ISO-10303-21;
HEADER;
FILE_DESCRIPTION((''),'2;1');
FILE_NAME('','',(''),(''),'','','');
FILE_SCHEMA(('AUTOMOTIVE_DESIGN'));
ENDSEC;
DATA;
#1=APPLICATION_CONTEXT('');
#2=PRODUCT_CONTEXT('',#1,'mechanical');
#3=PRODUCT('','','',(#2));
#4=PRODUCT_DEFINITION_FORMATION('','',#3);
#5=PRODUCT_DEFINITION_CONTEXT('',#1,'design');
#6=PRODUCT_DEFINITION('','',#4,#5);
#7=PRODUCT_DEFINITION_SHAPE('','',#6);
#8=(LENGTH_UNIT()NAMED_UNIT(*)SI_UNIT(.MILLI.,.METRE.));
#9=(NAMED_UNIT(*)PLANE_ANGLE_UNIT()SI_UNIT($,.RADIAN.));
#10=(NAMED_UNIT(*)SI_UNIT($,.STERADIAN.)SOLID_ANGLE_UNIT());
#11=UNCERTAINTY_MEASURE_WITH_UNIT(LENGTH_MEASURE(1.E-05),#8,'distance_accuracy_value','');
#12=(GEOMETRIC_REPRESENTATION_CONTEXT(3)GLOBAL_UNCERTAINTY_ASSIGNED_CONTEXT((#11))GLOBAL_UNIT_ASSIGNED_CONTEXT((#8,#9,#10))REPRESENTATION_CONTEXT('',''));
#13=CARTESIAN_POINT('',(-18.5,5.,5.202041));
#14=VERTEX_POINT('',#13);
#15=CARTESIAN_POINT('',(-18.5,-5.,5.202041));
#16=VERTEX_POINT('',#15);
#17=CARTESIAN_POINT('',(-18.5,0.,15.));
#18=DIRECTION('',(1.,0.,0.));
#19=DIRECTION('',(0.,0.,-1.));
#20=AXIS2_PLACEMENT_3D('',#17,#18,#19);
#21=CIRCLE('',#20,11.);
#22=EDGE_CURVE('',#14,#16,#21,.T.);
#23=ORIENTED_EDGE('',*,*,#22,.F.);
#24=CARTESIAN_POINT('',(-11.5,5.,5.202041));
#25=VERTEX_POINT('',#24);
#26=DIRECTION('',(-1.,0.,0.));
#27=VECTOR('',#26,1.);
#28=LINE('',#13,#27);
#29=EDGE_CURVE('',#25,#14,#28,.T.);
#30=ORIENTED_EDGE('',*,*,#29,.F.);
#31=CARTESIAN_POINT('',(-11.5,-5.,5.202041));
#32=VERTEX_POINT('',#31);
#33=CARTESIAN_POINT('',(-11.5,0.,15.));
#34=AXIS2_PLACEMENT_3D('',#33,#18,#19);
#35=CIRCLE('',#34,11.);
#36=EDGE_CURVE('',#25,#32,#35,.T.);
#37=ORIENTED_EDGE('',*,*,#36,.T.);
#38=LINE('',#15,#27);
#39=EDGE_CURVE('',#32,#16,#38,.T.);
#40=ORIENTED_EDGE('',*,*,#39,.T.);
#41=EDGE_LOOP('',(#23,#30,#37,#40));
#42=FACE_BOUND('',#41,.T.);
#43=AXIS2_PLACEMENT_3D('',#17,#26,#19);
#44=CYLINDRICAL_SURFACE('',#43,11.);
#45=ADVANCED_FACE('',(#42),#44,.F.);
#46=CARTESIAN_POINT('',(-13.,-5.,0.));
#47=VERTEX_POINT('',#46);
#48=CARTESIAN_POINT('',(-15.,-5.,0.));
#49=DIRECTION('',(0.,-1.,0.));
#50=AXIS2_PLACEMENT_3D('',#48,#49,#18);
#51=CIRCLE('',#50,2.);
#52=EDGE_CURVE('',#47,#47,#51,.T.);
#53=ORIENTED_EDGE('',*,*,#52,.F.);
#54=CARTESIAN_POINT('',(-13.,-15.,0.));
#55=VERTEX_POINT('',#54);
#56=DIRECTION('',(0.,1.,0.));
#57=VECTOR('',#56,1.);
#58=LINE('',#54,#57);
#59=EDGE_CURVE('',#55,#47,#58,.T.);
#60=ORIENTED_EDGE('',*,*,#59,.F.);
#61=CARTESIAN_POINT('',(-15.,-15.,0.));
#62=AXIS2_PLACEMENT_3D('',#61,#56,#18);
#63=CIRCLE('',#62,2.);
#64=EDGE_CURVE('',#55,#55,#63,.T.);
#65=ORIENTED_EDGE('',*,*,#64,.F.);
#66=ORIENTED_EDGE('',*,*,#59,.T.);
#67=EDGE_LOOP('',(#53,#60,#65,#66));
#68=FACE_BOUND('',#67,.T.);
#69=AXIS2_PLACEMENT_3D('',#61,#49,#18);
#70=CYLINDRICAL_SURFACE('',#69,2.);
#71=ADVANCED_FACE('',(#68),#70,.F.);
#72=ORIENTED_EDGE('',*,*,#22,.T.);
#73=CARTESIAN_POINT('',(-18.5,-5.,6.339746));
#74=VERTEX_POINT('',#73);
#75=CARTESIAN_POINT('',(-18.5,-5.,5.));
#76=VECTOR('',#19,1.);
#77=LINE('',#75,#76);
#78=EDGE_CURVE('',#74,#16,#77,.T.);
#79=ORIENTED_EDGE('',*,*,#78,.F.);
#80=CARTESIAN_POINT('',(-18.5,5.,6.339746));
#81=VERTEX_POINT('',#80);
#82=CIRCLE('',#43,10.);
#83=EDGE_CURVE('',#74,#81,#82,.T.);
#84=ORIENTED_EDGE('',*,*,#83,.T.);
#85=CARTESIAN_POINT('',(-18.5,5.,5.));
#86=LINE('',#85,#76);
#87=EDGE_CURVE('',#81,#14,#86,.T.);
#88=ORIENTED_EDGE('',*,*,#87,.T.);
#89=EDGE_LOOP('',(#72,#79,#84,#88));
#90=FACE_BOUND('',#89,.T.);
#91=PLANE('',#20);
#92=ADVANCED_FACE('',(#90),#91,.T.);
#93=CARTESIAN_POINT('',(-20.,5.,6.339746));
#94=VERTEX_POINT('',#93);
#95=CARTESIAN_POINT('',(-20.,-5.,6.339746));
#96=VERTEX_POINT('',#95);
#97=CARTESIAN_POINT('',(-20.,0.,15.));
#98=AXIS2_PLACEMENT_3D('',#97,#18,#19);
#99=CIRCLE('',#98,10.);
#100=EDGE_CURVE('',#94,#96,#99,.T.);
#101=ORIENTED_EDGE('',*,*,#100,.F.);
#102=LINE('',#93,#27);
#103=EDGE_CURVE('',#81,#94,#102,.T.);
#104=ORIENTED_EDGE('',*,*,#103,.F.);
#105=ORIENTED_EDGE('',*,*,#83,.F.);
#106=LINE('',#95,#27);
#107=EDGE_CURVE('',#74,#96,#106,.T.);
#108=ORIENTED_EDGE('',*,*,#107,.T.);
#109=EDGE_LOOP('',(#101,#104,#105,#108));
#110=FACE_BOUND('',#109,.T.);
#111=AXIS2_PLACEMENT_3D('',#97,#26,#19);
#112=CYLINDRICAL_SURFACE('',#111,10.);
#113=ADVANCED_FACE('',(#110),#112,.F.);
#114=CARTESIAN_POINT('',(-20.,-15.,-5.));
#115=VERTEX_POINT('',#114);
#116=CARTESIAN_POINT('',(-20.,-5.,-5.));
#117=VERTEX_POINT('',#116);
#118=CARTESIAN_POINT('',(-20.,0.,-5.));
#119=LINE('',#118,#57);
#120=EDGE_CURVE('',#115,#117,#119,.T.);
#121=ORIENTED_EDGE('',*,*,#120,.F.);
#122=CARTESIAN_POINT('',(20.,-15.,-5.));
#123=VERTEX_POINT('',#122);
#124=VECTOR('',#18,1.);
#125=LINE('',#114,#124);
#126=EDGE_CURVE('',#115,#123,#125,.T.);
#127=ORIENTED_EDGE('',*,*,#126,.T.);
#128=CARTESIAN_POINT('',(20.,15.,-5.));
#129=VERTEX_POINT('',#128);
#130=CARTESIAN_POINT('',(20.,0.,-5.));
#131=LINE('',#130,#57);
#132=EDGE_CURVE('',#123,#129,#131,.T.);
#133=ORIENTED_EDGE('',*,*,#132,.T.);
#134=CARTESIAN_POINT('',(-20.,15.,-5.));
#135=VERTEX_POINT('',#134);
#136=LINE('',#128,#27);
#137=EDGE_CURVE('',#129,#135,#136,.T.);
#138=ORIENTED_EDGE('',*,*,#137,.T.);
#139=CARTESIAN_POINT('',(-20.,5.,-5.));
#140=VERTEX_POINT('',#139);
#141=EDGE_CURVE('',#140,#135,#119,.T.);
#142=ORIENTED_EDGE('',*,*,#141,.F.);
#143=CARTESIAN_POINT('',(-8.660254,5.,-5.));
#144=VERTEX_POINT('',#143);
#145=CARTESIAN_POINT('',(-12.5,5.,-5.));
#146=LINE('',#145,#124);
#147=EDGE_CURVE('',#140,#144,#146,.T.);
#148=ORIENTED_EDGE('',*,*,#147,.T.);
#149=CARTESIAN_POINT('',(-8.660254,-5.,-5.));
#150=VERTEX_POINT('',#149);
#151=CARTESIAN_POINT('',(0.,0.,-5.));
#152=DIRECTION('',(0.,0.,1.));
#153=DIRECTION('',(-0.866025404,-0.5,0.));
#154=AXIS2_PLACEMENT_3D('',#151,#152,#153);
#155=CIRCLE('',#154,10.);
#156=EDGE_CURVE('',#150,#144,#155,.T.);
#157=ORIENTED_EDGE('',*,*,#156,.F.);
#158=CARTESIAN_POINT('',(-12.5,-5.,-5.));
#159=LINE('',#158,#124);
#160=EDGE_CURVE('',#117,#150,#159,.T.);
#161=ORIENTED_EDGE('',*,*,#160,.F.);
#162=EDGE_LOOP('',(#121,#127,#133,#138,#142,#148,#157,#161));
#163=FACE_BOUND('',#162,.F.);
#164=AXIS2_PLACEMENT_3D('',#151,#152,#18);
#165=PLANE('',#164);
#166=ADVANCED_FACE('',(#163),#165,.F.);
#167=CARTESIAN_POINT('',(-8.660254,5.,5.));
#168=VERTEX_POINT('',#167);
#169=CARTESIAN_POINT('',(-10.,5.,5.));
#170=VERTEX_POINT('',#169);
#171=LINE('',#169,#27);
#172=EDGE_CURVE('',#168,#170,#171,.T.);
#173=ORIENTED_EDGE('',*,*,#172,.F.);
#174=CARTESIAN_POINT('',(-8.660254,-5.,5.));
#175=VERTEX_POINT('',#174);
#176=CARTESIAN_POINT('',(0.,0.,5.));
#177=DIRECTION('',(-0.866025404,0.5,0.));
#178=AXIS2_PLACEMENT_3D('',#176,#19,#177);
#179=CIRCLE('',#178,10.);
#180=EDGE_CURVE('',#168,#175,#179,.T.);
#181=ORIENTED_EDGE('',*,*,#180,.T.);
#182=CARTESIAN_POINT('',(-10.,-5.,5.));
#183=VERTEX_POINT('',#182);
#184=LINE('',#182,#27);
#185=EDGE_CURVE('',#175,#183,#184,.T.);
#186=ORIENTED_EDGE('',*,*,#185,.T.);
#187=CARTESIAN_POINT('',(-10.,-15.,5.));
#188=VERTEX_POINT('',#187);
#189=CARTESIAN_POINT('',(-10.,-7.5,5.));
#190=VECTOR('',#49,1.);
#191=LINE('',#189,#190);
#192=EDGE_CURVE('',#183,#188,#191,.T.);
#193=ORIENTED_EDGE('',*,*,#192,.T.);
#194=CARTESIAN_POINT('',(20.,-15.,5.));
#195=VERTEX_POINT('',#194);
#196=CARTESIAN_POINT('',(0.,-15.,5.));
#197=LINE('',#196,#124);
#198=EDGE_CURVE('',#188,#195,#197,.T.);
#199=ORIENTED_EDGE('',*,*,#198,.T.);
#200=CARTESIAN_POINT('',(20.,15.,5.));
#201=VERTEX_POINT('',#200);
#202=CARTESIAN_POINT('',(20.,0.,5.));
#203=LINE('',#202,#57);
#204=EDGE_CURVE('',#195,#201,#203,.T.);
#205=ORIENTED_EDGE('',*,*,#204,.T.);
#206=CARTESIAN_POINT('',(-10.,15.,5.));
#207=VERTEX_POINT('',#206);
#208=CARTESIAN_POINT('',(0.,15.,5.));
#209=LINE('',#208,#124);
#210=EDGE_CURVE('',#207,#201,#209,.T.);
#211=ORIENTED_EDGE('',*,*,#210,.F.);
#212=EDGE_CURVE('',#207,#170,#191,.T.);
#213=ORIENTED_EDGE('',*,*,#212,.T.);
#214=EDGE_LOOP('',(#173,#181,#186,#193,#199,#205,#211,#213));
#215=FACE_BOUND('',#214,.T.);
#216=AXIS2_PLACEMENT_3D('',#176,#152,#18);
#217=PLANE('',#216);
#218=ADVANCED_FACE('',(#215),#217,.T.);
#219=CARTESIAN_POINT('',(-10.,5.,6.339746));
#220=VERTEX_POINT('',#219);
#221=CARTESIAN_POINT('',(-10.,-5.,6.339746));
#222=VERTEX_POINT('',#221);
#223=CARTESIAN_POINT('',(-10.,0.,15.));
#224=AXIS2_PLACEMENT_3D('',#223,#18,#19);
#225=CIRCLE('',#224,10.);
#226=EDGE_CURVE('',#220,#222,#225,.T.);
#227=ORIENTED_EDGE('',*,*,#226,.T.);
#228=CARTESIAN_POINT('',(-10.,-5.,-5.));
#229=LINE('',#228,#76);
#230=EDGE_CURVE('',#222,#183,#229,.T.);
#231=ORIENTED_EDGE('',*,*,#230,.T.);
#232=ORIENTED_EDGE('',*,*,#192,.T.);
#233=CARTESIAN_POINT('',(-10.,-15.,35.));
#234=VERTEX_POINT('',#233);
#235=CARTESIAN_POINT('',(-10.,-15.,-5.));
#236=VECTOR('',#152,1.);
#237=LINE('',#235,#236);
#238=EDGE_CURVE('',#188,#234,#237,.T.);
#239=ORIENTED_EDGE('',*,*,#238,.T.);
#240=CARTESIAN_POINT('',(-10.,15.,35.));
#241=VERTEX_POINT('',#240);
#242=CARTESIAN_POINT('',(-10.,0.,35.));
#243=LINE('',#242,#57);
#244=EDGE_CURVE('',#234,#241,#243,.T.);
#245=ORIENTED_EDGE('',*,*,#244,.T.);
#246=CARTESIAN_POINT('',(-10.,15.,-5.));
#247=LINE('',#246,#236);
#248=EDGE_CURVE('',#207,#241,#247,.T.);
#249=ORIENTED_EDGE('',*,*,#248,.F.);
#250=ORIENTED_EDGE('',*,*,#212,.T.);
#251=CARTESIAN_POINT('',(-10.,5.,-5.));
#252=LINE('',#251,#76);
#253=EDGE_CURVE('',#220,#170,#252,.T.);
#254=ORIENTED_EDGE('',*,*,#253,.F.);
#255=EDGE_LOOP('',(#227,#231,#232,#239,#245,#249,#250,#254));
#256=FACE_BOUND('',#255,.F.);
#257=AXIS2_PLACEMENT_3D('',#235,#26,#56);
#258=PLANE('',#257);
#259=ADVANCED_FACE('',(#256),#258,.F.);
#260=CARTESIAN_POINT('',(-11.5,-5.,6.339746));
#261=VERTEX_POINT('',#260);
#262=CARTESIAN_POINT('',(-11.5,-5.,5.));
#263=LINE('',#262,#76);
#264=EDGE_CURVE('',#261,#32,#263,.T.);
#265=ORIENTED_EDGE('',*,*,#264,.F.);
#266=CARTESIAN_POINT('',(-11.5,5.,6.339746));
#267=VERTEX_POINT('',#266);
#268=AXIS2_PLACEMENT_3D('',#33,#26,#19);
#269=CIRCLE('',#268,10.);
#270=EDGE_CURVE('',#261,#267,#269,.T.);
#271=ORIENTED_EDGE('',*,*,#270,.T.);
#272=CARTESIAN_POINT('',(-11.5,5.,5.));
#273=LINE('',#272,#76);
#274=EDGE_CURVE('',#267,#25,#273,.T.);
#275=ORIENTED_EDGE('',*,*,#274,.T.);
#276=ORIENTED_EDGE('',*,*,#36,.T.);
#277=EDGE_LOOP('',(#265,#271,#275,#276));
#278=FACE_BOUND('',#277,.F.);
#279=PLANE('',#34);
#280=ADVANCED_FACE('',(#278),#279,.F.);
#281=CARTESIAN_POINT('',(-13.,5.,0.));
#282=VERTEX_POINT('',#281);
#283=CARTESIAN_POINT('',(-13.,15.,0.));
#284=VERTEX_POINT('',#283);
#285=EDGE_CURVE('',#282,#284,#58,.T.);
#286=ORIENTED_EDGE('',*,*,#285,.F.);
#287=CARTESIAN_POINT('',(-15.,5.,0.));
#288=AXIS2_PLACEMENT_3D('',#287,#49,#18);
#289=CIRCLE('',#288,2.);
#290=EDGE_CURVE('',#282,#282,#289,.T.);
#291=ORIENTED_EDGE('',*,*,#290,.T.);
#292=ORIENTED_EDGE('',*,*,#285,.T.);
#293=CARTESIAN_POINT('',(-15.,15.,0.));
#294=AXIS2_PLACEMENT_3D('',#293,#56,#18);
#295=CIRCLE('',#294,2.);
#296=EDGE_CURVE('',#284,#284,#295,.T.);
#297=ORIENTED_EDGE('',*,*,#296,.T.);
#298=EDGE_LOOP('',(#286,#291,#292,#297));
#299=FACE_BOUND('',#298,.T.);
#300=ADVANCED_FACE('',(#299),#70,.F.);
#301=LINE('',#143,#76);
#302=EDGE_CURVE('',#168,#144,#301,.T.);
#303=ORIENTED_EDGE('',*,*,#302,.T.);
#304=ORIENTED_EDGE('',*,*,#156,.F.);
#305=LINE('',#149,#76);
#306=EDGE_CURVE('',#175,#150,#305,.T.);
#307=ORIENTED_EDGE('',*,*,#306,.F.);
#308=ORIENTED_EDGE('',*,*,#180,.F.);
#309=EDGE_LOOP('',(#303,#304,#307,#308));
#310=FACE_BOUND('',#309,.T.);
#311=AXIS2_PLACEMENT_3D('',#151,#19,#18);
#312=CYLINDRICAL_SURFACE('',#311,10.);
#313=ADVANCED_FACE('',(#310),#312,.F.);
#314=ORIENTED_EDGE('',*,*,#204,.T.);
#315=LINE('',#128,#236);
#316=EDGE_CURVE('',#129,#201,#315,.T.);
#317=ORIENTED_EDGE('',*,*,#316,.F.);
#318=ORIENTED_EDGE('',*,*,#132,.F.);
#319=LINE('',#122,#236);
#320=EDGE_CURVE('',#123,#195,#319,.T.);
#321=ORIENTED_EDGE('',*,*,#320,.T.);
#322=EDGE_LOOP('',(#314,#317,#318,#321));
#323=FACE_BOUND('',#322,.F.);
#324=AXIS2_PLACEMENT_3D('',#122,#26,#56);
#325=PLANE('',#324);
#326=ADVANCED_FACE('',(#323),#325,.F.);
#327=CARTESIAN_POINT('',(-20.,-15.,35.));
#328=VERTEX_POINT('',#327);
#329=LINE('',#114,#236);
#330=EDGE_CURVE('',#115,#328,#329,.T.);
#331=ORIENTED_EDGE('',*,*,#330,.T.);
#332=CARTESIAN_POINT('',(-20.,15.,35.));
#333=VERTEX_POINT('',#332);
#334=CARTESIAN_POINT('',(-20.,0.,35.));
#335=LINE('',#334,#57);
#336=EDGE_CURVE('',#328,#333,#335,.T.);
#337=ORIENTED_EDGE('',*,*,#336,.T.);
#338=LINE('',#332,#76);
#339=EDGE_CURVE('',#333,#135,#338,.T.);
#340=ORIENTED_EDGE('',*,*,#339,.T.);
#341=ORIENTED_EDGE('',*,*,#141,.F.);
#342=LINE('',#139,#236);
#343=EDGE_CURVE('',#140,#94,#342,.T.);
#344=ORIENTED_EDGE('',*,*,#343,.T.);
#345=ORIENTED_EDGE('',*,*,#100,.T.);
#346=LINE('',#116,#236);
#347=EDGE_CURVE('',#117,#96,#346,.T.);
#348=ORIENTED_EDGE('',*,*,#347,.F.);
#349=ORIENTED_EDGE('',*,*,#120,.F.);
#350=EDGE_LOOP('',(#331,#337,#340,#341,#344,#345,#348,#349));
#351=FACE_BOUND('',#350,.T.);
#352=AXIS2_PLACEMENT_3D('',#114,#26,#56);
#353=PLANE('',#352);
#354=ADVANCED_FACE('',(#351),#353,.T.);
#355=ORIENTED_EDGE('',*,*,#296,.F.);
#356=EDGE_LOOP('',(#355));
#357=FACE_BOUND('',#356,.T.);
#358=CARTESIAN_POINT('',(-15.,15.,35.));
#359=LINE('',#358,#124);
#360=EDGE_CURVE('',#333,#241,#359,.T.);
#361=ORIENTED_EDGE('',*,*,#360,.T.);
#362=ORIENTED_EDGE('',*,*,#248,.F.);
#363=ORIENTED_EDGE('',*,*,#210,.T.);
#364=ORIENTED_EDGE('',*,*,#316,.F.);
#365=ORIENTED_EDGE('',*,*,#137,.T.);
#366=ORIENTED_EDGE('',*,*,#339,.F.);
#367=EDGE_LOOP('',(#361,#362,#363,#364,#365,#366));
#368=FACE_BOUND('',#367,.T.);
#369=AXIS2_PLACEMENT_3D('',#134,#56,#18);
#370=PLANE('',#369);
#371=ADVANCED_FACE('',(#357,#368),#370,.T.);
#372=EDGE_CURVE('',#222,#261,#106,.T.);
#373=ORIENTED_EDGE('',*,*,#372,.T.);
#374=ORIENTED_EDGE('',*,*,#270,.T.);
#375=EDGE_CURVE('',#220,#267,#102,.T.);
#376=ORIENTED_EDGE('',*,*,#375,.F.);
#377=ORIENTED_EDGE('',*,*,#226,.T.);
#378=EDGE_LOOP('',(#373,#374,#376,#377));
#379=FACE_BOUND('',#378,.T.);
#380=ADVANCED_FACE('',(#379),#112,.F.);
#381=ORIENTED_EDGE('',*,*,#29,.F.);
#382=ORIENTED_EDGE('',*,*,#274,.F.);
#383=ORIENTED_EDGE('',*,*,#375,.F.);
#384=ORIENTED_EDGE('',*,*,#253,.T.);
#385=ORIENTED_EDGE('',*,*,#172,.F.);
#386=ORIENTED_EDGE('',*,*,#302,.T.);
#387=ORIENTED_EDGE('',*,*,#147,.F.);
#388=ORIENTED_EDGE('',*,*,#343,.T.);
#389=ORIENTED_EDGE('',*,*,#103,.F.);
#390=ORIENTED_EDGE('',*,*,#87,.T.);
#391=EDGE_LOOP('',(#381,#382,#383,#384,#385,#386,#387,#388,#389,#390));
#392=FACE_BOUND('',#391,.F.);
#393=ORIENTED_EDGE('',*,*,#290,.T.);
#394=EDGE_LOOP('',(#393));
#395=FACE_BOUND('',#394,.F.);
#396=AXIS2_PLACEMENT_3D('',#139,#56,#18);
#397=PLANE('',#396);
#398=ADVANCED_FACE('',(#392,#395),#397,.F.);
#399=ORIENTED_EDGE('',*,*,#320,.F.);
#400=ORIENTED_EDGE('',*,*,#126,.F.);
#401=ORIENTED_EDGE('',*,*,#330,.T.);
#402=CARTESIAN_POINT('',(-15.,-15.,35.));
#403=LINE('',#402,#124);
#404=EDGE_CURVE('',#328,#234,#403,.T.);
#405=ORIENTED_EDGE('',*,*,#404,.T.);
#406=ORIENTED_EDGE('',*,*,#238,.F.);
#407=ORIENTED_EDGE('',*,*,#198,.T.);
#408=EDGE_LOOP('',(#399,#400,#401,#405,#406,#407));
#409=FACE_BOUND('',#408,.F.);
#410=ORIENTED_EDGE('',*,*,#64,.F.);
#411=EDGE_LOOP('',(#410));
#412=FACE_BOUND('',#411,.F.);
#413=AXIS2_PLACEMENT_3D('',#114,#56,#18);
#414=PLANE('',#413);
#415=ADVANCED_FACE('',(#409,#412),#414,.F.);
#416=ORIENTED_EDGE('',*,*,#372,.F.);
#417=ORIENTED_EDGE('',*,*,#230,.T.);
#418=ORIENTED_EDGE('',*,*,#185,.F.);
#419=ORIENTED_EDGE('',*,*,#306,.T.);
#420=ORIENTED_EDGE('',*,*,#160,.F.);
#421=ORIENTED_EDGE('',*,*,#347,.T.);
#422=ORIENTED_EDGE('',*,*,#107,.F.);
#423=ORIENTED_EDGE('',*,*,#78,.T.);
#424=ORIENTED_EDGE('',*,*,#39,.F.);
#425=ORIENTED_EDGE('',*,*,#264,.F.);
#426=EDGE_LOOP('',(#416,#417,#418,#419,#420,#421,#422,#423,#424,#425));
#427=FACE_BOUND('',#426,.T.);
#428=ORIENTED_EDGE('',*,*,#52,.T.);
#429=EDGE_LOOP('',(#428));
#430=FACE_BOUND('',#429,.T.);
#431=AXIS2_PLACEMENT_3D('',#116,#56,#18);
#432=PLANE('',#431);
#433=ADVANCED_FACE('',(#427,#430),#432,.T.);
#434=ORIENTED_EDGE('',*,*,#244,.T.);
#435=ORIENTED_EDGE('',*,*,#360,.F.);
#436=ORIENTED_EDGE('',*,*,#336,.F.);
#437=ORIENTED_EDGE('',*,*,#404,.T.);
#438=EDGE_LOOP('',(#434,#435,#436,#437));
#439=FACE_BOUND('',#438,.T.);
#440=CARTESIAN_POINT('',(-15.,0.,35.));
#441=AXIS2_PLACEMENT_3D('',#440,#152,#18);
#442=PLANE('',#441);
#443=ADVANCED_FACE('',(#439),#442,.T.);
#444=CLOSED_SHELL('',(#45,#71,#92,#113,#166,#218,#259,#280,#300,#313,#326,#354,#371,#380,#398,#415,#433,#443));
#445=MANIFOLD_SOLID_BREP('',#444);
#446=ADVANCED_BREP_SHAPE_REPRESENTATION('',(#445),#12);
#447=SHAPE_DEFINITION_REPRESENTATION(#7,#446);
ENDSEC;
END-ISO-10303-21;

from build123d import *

# Parameters (mm, degrees)
CYLINDER_R              = 10
CYLINDER_DEPTH          = 10
CYLINDER001_R           = 2
CYLINDER001_DEPTH       = 30
CYLINDER001_ROLL_ANGLE  = -90
CYLINDER002_R           = 11
CYLINDER002_DEPTH       = 7
CYLINDER002_PITCH_ANGLE = 90
CYLINDER003_R           = 10
CYLINDER003_DEPTH       = 10
CYLINDER003_PITCH_ANGLE = 90
BOX001_W                = 15
BOX001_H                = 10
BOX001_DEPTH            = 15
BOX002_W                = 10
BOX002_H                = 30
BOX002_DEPTH            = 40
BOX_W                   = 40
BOX_H                   = 30
BOX_DEPTH               = 10


with BuildPart() as cylinder:
    # Cylinder → Cylinder (new body)
    with BuildSketch(Plane.XY.offset(-5)):
        Circle(CYLINDER_R)
    extrude(amount=CYLINDER_DEPTH)


with BuildPart() as cylinder001:
    # Cylinder001 → Cylinder001 (new body)
    with BuildSketch(Plane.XY):
        Circle(CYLINDER001_R)
    extrude(amount=CYLINDER001_DEPTH)


with BuildPart() as cylinder001_1:
    # Cylinder001 roll: moved
    add(cylinder001.part.rotate(Axis((0, 0, 0), (1, 0, 0)), CYLINDER001_ROLL_ANGLE))


with BuildPart() as cylinder001_2:
    # Cylinder001 placement: moved
    add(cylinder001_1.part.moved(Location((-15, -15, 0))))


with BuildPart() as bearing_cylinder:
    # Cylinder002 → Cylinder002 (new body)
    with BuildSketch(Plane.XY):
        Circle(CYLINDER002_R)
    extrude(amount=CYLINDER002_DEPTH)


with BuildPart() as bearing_cylinder_1:
    # Cylinder002 pitch: moved
    add(bearing_cylinder.part.rotate(Axis((0, 0, 0), (0, 1, 0)), CYLINDER002_PITCH_ANGLE))


with BuildPart() as bearing_cylinder_2:
    # Cylinder002 placement: moved
    add(bearing_cylinder_1.part.moved(Location((-18.5, 0, 15))))


with BuildPart() as bearing_cylinder_outer:
    # Cylinder003 → Cylinder003 (new body)
    with BuildSketch(Plane.XY):
        Circle(CYLINDER003_R)
    extrude(amount=CYLINDER003_DEPTH)


with BuildPart() as bearing_cylinder_outer_1:
    # Cylinder003 pitch: moved
    add(bearing_cylinder_outer.part.rotate(Axis((0, 0, 0), (0, 1, 0)), CYLINDER003_PITCH_ANGLE))


with BuildPart() as bearing_cylinder_outer_2:
    # Cylinder003 placement: moved
    add(bearing_cylinder_outer_1.part.moved(Location((-20, 0, 15))))


with BuildPart() as negative_fusion:
    # Box001 → Box001 (new body)
    with BuildSketch(Plane(origin=(-20, -5, -5), x_dir=(1, 0, 0), z_dir=(0, 0, 1))):
        with Locations((7.5, 5)):
            Rectangle(BOX001_W, BOX001_H)
    extrude(amount=BOX001_DEPTH)

    # Fusion: union Cylinder, Cylinder001, Bearing Cylinder, Bearing Cylinder Outer
    add(cylinder.part)
    add(cylinder001_2.part)
    add(bearing_cylinder_2.part)
    add(bearing_cylinder_outer_2.part)


with BuildPart() as cube002:
    # Box002 → Box002 (new body)
    with BuildSketch(Plane(origin=(-20, -15, -5), x_dir=(1, 0, 0), z_dir=(0, 0, 1))):
        with Locations((5, 15)):
            Rectangle(BOX002_W, BOX002_H)
    extrude(amount=BOX002_DEPTH)


with BuildPart() as cut:
    # Box → Box (new body)
    with BuildSketch(Plane(origin=(-20, -15, -5), x_dir=(1, 0, 0), z_dir=(0, 0, 1))):
        with Locations((20, 15)):
            Rectangle(BOX_W, BOX_H)
    extrude(amount=BOX_DEPTH)

    # Fusion001: union Cube002
    add(cube002.part)

    # Cut: cut Negative Fusion
    add(negative_fusion.part, mode=Mode.SUBTRACT)


solid = cut.part
